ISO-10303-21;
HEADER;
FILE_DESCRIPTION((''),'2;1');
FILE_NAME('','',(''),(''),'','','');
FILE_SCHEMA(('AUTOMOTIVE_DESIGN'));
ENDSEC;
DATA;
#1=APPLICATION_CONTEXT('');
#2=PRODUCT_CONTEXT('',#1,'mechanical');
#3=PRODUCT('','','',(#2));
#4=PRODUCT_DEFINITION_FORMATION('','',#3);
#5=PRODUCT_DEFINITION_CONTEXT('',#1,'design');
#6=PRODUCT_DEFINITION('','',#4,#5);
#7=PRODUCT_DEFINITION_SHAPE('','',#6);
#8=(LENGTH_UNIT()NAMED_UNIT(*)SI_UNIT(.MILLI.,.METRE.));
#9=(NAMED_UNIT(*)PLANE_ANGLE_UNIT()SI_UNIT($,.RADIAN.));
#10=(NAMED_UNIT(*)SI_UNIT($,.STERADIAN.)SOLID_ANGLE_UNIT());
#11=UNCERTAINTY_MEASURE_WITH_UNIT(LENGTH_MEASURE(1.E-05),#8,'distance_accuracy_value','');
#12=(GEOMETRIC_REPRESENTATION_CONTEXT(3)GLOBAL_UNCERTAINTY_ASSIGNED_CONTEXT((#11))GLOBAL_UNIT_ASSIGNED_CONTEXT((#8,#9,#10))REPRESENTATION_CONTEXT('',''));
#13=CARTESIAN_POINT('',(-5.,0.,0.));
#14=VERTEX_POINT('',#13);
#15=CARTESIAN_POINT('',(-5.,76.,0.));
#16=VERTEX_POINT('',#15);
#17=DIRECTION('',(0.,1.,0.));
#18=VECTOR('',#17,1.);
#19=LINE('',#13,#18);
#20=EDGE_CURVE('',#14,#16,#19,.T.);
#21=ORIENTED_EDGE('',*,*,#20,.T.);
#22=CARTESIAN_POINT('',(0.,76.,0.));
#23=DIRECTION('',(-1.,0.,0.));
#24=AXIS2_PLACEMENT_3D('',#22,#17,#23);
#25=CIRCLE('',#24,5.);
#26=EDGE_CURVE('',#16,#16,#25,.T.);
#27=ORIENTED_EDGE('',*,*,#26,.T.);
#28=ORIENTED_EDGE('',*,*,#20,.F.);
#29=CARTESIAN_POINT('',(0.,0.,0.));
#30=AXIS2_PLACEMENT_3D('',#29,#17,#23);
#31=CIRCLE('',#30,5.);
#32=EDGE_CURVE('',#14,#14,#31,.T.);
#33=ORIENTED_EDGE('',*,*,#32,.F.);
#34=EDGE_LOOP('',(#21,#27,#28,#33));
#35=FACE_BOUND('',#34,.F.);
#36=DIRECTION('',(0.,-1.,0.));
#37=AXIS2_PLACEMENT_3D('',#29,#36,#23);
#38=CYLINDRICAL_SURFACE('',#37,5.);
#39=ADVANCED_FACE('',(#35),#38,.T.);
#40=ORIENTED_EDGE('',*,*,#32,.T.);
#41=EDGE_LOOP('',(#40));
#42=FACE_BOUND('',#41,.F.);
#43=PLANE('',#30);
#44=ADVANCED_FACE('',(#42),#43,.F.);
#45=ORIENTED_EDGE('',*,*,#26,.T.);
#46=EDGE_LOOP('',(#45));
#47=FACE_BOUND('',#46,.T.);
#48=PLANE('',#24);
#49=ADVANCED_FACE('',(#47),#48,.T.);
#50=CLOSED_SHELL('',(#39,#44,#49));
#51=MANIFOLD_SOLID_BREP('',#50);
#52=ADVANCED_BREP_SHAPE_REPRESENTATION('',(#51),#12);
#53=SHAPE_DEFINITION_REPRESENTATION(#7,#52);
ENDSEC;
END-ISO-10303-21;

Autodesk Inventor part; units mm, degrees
ref_plane "YZ Plane" through (0, 0, 0) normal (1, 0, 0) x (0, 1, 0)
ref_plane "XZ Plane" through (0, 0, 0) normal (0, 1, 0) x (-1, 0, 0)
ref_plane "XY Plane" through (0, 0, 0) normal (0, 0, 1) x (1, 0, 0)
sketch "Sketch1" plane through (0, 0, 0) normal (0, 1, 0) x (-1, 0, 0)
  circle A0 centre (0, 0) radius 5
  dimension "d0" = 10
extrude "Extrusion1" add sketch "Sketch1" along normal blind 76
properties part number "Y_Slider_Zahnrad_Stange"
